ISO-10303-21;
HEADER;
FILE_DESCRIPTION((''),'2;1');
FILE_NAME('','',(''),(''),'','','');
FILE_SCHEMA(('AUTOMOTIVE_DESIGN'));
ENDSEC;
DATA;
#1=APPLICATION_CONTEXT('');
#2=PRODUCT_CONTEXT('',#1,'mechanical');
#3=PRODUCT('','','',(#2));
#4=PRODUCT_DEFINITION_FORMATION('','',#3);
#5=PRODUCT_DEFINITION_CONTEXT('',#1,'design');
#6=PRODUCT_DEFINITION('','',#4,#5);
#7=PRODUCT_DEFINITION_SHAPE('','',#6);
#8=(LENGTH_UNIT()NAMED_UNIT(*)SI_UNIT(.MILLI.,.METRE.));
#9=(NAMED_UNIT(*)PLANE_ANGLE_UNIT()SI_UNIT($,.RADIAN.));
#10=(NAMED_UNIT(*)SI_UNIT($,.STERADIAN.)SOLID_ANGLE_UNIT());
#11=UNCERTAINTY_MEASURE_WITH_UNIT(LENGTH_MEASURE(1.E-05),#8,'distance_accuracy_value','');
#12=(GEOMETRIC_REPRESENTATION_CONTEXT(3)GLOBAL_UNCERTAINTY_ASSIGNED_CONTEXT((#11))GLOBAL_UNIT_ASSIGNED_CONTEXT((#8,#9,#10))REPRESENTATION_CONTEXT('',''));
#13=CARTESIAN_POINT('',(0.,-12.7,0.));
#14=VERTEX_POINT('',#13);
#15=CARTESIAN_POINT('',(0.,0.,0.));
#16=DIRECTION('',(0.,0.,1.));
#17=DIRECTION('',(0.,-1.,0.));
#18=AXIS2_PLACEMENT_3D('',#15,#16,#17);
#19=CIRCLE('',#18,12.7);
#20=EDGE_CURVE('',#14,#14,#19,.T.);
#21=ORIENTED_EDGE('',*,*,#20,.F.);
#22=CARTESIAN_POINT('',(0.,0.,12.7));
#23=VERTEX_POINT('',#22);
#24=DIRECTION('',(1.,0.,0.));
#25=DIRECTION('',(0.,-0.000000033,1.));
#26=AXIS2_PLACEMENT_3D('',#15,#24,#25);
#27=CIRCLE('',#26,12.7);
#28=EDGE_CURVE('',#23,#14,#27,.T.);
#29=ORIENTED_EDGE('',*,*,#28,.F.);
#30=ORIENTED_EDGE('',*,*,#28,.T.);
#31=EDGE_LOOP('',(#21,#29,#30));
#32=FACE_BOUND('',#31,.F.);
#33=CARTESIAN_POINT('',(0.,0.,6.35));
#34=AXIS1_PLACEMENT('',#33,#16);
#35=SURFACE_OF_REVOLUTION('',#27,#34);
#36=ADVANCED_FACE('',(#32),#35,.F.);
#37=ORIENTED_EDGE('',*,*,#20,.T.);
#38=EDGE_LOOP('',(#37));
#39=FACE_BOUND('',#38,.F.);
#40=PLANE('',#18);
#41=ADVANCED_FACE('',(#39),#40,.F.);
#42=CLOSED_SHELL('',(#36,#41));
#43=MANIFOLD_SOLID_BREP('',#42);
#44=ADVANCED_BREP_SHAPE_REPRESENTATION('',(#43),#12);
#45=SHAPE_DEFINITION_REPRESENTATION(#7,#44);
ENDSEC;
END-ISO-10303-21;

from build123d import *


with BuildPart() as f1:
    # F0 (on Right) → F1 (revolve)
    with BuildSketch(Plane.YZ):
        with BuildLine():
            Line((-12.7, 0), (0, 0))
            Line((0, 0), (0, 12.7))
            ThreePointArc((0, 12.7), (-8.980256, 8.980256), (-12.7, 0))
        make_face()
    revolve(axis=Axis((0, 0, 6.35), (0, 0, 1)))


solid = f1.part
